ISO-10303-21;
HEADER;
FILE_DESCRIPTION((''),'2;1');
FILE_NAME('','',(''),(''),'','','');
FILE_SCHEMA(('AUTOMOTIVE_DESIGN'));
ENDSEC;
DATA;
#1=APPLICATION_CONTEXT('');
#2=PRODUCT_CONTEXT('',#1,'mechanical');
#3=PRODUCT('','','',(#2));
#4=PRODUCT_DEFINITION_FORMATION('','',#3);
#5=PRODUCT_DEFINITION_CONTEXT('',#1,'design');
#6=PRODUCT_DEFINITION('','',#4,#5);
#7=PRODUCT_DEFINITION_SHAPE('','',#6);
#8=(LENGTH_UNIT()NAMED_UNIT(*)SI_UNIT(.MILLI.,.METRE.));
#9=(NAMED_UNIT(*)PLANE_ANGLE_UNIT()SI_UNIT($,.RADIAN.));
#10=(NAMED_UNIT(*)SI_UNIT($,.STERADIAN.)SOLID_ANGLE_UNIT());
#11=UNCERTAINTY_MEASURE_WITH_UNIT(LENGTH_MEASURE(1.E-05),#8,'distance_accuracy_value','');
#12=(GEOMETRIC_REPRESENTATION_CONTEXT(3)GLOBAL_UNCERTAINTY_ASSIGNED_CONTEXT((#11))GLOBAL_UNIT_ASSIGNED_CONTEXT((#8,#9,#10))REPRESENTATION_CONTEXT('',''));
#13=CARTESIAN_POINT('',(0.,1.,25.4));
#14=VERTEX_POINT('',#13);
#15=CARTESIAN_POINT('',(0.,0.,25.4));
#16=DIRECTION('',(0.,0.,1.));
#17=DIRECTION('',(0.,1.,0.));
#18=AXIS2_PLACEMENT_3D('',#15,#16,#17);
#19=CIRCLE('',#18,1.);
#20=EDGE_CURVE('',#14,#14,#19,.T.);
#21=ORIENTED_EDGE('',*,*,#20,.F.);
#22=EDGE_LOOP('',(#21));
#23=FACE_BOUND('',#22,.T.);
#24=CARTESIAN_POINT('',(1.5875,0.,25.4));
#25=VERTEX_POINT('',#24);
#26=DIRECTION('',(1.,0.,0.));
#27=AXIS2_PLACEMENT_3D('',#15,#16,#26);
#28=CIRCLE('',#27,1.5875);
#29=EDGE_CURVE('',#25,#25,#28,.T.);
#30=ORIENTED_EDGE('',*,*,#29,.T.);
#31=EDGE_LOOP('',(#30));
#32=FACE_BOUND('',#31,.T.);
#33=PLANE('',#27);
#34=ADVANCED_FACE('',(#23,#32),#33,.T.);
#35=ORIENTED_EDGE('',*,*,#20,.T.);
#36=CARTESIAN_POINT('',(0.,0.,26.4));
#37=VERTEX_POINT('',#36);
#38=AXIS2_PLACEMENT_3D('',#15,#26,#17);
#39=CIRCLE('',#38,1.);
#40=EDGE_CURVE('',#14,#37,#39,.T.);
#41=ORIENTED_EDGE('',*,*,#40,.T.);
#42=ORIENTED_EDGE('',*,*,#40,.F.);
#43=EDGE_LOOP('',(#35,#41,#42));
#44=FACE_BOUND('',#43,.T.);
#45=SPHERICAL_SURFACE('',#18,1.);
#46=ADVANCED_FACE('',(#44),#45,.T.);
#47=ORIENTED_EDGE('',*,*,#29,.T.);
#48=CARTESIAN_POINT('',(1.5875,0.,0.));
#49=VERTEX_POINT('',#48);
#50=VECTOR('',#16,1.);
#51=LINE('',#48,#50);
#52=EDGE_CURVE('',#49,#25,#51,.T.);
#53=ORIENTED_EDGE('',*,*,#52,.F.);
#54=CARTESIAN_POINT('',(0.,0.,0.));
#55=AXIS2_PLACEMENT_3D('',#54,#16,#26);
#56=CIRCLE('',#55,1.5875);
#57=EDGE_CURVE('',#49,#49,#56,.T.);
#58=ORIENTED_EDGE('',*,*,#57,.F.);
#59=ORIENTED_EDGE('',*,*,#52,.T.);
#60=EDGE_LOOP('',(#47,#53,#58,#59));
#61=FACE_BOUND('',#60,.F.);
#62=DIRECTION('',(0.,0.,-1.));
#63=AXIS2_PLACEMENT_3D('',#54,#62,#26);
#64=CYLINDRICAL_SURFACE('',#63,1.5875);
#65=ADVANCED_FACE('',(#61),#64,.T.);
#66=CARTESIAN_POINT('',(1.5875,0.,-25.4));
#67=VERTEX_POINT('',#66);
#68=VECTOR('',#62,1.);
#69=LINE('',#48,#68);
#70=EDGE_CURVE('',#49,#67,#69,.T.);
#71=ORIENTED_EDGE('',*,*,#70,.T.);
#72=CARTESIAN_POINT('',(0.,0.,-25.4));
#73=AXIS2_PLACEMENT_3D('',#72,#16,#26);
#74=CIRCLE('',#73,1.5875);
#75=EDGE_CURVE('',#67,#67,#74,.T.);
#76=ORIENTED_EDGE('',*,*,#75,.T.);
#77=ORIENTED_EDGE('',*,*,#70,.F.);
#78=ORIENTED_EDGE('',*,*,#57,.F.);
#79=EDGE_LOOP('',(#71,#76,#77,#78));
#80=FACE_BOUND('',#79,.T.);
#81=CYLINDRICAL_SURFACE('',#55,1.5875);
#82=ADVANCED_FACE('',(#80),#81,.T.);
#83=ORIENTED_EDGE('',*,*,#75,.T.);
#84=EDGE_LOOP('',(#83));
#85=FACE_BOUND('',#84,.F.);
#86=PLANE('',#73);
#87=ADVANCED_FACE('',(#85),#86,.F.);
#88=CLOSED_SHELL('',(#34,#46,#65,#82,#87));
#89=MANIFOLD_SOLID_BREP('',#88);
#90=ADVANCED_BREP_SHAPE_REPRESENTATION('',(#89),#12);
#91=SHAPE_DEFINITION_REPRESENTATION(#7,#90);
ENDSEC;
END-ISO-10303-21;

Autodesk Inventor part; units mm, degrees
ref_plane "YZ Plane" through (0, 0, 0) normal (1, 0, 0) x (0, 1, 0)
ref_plane "XZ Plane" through (0, 0, 0) normal (0, 1, 0) x (-1, 0, 0)
sketch "Sketch1" plane through (0, 0, 0) normal (0, 0, 1) x (1, 0, 0)
  circle A0 centre (0, 0) radius 1.5875
  dimension "d0" = 3.175
extrude "Extrusion1" add sketch "Sketch1" along normal mid plane 50.8
sketch "Sketch2" plane through (0, 0, 0) normal (1, 0, 0) x (0, 1, 0)
  line L0 (0, 25.4) -> (0, 26.4)
  line L1 (0, 25.4) -> (1, 25.4)
  arc A0 (1, 25.4) -> (0, 26.4) centre (0, 25.4) ccw
  line L2 (-1.5875, 25.4) -> (1.5875, 25.4) projected
  line L3 (0, 26.4) -> (0, 27.0888)
  point P0 (0, 0)
  dimension "d3" = 1
revolve "Revolution1" add sketch "Sketch2" angle 360 about axis through (0, 0, 26.4) along (0, 0, 1)
properties part number "FOX-ME-124" material "ALNICO5"
